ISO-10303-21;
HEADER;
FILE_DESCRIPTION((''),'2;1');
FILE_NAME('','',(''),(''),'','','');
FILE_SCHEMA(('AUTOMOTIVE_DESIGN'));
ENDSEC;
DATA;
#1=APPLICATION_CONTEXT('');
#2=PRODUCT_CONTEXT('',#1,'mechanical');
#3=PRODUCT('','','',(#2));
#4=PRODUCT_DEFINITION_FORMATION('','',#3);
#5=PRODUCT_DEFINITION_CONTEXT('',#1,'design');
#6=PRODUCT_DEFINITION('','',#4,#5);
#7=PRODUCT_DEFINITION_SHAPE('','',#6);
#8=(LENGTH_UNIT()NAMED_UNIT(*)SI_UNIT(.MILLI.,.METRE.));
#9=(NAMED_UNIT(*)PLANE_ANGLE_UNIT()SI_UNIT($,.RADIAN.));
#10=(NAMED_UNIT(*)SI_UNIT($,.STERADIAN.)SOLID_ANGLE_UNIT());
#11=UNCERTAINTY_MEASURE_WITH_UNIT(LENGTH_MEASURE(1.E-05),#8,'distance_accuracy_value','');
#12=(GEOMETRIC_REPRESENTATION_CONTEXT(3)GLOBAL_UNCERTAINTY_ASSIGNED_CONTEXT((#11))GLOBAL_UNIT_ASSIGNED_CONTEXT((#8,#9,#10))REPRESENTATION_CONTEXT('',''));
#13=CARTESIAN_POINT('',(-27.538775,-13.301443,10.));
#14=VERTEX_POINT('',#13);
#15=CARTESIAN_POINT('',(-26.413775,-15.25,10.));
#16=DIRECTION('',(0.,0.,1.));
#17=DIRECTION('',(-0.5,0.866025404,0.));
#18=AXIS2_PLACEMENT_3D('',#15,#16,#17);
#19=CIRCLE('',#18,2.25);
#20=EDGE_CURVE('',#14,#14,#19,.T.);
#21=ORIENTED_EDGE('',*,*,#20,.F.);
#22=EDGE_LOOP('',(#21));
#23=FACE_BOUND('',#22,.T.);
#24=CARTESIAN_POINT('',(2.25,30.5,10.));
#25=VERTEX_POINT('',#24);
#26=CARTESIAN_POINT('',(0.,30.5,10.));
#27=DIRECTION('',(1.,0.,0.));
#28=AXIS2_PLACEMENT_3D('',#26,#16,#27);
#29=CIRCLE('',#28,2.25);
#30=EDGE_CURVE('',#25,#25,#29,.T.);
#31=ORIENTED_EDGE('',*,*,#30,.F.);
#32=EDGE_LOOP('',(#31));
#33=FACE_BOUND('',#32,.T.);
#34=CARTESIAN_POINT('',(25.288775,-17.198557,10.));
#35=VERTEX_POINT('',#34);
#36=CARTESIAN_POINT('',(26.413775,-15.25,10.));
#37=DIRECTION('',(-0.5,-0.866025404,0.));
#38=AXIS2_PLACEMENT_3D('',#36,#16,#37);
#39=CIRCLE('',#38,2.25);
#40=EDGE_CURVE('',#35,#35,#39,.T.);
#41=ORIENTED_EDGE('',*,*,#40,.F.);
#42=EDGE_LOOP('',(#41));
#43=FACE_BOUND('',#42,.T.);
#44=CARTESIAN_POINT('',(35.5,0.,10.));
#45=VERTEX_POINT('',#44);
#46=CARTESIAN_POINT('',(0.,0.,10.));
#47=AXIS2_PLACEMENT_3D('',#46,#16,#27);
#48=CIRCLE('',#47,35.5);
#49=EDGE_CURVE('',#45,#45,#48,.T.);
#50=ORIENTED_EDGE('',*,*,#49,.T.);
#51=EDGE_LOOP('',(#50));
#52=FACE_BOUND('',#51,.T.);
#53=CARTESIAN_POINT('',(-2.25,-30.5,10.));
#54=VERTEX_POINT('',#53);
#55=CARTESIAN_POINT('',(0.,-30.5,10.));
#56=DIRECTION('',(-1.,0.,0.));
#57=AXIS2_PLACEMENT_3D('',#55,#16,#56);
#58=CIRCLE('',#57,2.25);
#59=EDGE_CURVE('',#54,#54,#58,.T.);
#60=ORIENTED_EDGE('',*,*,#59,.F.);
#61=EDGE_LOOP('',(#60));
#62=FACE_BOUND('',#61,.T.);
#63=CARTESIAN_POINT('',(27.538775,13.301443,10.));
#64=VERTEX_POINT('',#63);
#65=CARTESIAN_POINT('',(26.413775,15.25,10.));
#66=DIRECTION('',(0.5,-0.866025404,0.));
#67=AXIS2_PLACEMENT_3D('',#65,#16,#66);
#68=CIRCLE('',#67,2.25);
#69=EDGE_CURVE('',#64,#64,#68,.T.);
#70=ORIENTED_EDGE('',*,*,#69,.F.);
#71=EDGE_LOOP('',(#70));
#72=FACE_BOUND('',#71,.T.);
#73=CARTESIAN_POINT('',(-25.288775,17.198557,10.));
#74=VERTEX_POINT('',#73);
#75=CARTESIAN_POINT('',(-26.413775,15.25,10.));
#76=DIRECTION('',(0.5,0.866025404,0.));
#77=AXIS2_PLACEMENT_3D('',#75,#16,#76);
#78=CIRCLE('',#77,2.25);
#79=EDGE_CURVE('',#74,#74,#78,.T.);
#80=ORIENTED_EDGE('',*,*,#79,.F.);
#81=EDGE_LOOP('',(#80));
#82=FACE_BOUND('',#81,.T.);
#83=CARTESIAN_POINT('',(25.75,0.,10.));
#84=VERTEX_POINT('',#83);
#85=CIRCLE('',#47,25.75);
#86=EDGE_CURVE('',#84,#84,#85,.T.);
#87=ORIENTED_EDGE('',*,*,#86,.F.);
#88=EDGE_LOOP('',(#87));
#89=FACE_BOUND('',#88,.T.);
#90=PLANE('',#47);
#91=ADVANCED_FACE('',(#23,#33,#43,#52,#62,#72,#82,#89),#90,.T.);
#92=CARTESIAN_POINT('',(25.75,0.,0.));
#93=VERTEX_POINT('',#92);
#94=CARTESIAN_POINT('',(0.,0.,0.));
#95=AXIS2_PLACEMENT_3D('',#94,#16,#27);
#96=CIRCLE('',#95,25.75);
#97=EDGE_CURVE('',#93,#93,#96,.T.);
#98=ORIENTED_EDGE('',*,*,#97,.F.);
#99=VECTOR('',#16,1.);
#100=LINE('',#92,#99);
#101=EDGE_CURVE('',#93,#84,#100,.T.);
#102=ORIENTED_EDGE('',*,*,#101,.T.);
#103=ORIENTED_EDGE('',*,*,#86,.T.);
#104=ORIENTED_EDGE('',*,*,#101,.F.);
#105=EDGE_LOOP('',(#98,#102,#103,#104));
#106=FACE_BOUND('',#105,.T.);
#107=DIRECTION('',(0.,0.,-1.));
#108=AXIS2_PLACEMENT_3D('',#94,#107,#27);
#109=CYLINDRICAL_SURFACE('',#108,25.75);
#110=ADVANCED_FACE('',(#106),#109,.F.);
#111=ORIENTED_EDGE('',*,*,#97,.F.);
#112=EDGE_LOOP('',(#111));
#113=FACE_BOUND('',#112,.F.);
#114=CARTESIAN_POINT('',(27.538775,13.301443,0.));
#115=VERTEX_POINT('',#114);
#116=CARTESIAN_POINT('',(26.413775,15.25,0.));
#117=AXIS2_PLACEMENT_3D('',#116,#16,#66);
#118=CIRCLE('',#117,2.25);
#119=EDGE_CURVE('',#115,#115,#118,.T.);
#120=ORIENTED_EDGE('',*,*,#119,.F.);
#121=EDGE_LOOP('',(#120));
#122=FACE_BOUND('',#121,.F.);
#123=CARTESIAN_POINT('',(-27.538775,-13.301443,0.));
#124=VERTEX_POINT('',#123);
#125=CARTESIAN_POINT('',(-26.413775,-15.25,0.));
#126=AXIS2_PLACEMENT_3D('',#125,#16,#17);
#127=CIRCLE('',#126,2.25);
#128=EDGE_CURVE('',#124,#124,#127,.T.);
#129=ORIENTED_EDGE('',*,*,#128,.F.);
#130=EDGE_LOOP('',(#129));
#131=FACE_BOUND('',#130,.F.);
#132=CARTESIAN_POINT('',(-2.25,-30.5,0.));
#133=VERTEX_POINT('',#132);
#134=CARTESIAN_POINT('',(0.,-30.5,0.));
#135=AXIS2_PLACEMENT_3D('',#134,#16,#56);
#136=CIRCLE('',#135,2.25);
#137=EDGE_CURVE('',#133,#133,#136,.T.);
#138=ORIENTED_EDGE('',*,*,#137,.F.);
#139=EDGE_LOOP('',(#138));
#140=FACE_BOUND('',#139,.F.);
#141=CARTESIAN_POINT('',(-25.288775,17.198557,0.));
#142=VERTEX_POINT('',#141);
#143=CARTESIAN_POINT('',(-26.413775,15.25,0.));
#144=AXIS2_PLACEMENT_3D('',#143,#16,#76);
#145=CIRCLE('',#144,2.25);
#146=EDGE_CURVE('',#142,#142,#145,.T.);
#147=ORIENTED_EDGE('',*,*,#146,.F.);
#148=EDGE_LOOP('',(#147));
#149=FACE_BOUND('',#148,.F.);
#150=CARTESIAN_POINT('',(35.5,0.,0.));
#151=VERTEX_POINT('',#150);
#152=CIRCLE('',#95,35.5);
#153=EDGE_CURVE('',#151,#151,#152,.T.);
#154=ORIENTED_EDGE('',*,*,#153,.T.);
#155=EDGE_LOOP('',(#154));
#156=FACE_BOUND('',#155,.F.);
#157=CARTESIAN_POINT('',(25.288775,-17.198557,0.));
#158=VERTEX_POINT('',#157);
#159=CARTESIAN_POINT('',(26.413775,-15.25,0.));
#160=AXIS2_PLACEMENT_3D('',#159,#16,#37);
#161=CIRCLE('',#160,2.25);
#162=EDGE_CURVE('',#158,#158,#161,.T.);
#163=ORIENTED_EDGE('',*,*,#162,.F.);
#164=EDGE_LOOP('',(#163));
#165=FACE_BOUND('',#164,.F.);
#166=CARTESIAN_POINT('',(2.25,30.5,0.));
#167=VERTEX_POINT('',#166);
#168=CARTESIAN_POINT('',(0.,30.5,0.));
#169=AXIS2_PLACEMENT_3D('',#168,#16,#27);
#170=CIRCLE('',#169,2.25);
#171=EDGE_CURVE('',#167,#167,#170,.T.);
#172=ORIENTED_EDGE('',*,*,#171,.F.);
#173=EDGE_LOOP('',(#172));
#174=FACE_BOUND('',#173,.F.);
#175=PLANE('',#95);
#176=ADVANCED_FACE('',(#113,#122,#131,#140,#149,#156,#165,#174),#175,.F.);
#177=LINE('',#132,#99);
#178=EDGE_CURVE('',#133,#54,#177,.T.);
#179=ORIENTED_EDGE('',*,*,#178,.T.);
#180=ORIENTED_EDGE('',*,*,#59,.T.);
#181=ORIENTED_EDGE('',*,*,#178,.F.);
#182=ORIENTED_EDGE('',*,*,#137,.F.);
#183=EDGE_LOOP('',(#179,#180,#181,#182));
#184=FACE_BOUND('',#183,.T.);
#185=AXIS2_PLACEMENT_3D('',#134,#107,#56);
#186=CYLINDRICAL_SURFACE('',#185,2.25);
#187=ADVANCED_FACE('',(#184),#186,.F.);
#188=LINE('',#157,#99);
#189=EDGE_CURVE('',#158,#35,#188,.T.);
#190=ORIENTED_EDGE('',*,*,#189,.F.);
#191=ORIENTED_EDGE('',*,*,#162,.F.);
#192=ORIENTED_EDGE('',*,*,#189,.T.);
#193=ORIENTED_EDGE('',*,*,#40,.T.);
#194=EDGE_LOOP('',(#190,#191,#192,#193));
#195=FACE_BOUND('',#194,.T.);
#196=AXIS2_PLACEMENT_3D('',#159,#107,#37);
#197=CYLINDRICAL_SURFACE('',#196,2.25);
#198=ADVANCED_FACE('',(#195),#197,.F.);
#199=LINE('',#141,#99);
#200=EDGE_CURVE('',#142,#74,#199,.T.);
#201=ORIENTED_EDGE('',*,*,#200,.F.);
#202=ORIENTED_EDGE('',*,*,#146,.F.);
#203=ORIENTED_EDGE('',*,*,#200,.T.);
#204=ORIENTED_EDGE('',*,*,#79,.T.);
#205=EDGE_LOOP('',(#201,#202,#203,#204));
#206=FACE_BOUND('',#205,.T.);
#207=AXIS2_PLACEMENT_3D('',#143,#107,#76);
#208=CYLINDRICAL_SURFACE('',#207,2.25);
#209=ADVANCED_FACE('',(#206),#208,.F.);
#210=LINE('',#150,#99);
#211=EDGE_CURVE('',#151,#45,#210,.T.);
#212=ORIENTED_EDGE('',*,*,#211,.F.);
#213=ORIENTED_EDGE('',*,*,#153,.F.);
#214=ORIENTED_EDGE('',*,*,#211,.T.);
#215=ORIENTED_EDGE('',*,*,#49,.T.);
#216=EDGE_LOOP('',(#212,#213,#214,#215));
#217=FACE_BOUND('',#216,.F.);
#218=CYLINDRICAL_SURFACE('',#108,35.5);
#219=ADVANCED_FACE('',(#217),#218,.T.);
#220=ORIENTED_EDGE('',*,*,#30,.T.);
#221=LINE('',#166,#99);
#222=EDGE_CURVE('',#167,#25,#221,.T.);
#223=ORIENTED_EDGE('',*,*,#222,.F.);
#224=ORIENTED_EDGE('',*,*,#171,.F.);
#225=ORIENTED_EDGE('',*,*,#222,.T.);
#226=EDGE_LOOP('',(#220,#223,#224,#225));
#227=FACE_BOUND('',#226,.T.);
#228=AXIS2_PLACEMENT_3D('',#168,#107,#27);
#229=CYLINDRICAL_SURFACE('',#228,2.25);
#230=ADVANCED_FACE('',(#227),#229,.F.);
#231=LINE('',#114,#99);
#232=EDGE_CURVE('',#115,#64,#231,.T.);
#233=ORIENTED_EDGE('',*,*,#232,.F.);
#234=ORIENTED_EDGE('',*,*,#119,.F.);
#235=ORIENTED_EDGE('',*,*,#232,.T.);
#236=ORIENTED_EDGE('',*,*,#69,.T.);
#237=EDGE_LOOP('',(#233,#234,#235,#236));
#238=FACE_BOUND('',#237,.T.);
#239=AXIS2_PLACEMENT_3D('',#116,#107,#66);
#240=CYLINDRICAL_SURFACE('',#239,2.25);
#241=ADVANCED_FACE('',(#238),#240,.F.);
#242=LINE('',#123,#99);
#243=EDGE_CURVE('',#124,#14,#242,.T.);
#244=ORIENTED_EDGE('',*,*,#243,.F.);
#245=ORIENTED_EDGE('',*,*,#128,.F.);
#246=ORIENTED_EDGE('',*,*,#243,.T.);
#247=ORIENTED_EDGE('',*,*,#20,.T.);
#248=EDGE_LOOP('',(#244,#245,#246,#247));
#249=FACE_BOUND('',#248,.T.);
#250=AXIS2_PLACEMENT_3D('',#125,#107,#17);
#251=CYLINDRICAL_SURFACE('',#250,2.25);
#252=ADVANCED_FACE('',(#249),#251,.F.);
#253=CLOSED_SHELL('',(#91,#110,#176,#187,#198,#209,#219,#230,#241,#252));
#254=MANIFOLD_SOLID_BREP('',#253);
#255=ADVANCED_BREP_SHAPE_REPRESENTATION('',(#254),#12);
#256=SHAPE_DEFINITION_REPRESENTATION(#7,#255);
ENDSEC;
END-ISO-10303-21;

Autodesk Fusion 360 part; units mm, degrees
sketch "Sketch17" plane through (0, 0, 0) normal (0, 0, 1) x (1, 0, 0)
  circle A0 centre (0, 0) radius 25.75
  circle A1 centre (0, 0) radius 35.5
  dimension "d61" = 51.5
  dimension "d62" = 71
extrude "Extrude10" add sketch "Sketch17" along normal blind 10
sketch "Sketch18" plane through (0, 0, 0) normal (0, 0, 1) x (1, 0, 0)
  point P0 (0, 30.5)
sketch "Sketch19" plane through (0, 0, 0) normal (0, 0, 1) x (1, 0, 0)
  circle A0 centre (0, 30.5) radius 2.25
  dimension "d65" = 4.5
extrude "Extrude11" cut sketch "Sketch19" along normal blind 10
pattern_circular "C-Pattern7" count 6 over 360 about axis through (0, 0, 0) along (0, 0, 1) of "Extrude11"
